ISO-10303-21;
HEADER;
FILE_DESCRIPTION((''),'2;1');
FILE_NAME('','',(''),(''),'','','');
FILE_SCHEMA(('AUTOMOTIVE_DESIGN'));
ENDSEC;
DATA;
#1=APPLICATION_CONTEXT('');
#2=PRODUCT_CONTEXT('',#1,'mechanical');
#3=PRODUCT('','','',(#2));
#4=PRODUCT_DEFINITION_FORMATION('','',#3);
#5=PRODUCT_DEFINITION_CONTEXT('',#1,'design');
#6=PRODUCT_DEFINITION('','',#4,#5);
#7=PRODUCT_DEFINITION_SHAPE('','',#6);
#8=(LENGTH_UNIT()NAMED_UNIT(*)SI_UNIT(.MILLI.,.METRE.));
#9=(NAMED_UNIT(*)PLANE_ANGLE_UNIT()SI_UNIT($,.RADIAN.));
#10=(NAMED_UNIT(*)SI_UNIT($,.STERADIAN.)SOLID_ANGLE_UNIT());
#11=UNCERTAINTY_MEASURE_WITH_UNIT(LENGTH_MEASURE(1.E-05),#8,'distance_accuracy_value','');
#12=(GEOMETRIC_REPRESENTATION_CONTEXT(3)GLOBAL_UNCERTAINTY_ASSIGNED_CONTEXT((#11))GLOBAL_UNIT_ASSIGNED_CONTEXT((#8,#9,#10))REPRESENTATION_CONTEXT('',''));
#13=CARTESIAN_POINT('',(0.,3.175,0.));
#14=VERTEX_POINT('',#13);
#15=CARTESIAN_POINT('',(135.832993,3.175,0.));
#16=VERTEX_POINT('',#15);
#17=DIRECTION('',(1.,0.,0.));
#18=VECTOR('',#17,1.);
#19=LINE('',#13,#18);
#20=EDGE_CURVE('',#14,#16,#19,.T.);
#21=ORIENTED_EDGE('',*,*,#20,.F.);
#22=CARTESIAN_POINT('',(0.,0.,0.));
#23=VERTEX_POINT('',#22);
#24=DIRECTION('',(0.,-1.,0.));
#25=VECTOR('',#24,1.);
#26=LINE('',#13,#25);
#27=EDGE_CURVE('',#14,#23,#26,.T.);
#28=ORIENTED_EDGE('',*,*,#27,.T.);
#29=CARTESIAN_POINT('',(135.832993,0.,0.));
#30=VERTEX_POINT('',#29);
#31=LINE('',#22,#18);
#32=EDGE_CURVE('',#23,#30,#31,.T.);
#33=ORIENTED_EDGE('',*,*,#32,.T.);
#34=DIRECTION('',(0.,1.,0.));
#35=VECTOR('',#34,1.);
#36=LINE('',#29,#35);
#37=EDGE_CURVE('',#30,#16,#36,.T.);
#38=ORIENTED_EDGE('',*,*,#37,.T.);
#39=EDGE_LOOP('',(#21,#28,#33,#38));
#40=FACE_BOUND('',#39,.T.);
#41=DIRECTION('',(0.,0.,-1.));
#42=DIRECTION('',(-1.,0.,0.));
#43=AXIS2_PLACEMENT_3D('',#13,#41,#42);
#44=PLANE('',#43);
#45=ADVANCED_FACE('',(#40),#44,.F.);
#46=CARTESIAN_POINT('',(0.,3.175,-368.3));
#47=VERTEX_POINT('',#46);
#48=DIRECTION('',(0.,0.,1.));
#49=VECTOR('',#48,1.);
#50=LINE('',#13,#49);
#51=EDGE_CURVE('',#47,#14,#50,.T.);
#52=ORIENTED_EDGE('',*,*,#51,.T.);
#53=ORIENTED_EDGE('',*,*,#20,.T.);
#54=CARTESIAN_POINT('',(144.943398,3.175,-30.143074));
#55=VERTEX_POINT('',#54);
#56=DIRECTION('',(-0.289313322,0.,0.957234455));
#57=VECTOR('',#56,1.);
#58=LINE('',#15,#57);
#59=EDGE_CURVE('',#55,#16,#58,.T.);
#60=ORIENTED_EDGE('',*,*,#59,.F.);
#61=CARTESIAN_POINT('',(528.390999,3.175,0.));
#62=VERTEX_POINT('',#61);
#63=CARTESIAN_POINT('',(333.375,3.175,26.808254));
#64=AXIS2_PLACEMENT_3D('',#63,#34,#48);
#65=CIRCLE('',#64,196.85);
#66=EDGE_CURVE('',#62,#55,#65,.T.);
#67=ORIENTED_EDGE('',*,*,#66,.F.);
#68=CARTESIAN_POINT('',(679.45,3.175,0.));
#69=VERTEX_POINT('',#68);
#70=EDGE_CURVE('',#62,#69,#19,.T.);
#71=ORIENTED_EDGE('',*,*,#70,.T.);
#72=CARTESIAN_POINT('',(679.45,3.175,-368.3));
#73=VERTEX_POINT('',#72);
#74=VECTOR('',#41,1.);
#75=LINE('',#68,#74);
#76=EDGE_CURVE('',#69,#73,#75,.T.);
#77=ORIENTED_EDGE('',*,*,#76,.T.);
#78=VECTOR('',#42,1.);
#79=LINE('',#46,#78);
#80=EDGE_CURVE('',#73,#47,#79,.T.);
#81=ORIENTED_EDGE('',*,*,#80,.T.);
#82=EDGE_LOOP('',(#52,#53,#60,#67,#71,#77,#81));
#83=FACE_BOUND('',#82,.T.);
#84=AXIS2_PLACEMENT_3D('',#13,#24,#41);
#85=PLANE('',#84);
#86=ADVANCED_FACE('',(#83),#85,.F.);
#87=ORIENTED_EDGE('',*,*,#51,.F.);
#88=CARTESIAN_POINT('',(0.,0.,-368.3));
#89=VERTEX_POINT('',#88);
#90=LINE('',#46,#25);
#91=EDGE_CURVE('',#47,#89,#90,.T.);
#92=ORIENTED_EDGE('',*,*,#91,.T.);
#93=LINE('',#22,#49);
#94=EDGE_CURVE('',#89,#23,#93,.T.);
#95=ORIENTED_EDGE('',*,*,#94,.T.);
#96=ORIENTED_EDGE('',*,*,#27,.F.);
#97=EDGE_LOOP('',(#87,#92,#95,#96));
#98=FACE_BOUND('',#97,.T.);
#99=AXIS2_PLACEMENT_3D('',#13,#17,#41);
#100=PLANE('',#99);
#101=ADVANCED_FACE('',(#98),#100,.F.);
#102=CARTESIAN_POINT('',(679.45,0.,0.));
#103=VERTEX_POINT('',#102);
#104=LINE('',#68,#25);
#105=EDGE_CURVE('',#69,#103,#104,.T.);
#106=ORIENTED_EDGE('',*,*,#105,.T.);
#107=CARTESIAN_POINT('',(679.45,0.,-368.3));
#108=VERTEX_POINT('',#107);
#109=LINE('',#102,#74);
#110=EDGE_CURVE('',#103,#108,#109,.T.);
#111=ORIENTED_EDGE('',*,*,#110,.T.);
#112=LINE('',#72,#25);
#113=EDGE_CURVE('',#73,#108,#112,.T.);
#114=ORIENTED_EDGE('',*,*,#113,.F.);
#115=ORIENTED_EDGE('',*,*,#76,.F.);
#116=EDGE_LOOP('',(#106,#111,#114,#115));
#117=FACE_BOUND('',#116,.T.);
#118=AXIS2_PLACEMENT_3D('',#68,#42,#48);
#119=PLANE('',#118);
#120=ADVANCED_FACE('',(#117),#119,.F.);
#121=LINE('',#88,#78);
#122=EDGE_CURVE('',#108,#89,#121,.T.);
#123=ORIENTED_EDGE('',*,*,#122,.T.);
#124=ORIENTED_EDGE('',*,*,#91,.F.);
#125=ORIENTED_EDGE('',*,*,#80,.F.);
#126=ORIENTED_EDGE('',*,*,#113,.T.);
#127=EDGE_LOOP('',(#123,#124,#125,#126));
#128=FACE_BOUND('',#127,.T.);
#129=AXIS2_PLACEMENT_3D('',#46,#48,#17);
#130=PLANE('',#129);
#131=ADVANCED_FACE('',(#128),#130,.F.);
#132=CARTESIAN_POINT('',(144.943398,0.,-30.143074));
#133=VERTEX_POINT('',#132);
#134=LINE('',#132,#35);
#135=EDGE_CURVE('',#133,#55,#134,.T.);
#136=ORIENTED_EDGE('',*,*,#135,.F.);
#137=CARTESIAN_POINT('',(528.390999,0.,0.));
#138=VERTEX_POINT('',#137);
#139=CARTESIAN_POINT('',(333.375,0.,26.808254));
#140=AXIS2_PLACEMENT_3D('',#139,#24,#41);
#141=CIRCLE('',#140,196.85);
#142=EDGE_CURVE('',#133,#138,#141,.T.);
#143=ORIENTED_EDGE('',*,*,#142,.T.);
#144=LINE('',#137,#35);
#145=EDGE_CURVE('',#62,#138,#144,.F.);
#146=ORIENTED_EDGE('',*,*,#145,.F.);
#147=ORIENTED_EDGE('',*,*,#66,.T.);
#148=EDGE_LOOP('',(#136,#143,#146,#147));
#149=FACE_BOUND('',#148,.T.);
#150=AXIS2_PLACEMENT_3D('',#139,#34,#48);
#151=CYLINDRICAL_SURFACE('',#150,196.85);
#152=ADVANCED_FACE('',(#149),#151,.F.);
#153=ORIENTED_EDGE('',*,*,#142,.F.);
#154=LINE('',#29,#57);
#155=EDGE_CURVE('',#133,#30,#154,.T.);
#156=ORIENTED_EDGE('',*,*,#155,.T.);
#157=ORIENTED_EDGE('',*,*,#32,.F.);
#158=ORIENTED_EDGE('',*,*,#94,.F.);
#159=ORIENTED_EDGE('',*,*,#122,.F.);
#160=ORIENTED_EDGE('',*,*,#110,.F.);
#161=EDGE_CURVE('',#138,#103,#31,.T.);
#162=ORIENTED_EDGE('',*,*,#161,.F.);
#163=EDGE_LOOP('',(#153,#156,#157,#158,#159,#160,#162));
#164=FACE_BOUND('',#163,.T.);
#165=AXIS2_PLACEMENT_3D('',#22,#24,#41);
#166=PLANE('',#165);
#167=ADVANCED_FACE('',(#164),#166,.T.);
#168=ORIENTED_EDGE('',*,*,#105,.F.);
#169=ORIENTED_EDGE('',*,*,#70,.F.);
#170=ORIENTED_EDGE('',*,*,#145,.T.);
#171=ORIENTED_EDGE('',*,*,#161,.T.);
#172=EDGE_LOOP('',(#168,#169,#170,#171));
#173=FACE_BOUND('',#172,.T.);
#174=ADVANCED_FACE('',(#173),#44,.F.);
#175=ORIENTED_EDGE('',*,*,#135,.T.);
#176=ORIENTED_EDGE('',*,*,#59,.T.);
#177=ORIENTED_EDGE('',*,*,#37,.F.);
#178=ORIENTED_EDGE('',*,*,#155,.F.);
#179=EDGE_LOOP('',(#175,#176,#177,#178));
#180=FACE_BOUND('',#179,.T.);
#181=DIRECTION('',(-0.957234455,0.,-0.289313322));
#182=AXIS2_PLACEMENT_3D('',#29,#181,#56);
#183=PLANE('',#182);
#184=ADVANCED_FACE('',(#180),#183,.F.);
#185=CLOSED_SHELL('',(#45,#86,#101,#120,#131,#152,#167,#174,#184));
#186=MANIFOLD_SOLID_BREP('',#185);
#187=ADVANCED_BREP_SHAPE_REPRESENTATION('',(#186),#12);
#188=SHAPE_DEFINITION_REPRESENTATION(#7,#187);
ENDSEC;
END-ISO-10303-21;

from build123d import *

# Parameters (mm, degrees)
SKETCH1_W           = 679.45
SKETCH1_H           = 368.3
BOSS_EXTRUDE1_DEPTH = 3.175
CUT_EXTRUDE1_DEPTH  = 4.175


with BuildPart() as part:
    # Sketch1 → Boss-Extrude1 (new body)
    with BuildSketch(Plane(origin=(0, 0, 0), x_dir=(1, 0, 0), z_dir=(0, 1, 0))):
        with Locations((339.725, 184.15)):
            Rectangle(SKETCH1_W, SKETCH1_H)
    extrude(amount=BOSS_EXTRUDE1_DEPTH)

    # Sketch2 → Cut-Extrude1 (cut, through all)
    with BuildSketch(Plane(origin=(0, 3.175, 0), x_dir=(1, 0, 0), z_dir=(0, 1, 0))):
        with BuildLine():
            Line((135.832993334, 0), (144.943397545, 30.143073778))
            ThreePointArc((144.943397545, 30.143073778), (213.497085422, 129.330172419), (327.025, 169.939300333))
            ThreePointArc((327.025, 169.939300333), (472.568969877, 112.385716223), (530.122553987, -33.158253654))
            ThreePointArc((530.122553987, -33.158253654), (520.134888885, -89.022933623), (494.625079918, -139.71677515))
            add(Edge.make_bspline(
                [(494.625079918, -139.71677515), (493.45726691, -141.384584969), (490.895198527, -144.528294755), (484.77915912, -150.233837552), (475.335730084, -156.231610738), (461.521693133, -161.444305371), (379.648366594, -177.46097032), (267.722400389, -112.187788034), (488.667649379, 0)],
                knots=[0, 0, 0, 0, 0.027722316, 0.055444633, 0.110889265, 0.166333898, 0.22177853, 0.984715491, 0.984715491, 0.984715491, 0.984715491], degree=3))
            Line((488.667649379, 0), (135.832993334, 0))
        make_face()
    extrude(amount=-CUT_EXTRUDE1_DEPTH, mode=Mode.SUBTRACT)


solid = part.part
